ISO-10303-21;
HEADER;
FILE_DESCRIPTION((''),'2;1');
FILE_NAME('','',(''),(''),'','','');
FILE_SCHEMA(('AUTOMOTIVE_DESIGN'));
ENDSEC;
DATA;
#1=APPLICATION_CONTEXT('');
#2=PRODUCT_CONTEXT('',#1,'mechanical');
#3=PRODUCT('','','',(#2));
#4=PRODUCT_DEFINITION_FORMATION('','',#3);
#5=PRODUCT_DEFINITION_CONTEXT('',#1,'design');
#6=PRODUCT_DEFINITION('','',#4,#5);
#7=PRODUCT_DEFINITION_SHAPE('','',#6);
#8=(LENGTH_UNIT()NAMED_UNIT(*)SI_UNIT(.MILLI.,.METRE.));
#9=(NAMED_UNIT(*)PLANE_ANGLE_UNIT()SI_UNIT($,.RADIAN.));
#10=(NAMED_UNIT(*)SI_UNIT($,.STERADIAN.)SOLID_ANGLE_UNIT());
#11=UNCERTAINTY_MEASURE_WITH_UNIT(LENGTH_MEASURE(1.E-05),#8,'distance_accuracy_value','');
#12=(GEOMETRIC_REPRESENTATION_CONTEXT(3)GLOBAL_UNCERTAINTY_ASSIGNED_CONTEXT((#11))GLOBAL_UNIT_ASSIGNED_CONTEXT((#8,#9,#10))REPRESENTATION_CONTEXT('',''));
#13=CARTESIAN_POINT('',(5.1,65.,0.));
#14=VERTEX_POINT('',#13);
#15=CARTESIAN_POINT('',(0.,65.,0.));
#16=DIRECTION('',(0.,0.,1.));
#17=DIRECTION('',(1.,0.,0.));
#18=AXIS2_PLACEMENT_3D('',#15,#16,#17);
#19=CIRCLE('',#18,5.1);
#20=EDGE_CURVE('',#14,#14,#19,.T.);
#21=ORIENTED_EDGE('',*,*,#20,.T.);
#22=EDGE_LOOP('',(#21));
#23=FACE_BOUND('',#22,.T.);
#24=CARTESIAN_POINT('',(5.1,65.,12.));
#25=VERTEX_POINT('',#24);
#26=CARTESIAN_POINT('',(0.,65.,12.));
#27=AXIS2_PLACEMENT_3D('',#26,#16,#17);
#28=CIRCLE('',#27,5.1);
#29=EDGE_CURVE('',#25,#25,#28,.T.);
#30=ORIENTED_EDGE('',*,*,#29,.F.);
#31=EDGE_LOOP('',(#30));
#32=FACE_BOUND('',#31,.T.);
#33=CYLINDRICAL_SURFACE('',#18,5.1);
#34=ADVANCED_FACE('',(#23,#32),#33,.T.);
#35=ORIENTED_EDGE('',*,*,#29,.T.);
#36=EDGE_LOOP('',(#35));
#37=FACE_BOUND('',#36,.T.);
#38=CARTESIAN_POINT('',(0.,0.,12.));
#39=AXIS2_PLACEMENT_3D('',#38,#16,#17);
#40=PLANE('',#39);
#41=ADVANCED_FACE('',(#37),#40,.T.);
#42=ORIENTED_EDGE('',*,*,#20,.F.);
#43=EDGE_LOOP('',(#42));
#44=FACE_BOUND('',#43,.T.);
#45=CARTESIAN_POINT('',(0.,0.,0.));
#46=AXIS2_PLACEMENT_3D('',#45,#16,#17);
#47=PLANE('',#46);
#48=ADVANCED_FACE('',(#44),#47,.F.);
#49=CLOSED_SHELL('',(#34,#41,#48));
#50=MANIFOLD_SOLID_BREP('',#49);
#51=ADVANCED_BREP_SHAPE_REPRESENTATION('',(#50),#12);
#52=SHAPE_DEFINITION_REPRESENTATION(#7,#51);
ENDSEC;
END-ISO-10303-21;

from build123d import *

# Parameters (mm, degrees)
EXTRUDE_1_DEPTH     = 12
SKETCH_2_OUTSIDE_W  = 117.568
SKETCH_2_OUTSIDE_H  = 117.568
SKETCH_2_OUTSIDE_R  = 5.1
CUT_EXTRUDE_1_DEPTH = 102.336074524


with BuildPart() as part:
    # 草图1 → 凸台-拉伸1 (new body)
    with BuildSketch(Plane.XY):
        Polygon((-45, 0), (45, 0), (45, 15), (10, 15), (10, 90), (-10, 90), (-10, 15), (-45, 15), align=None)
    extrude(amount=EXTRUDE_1_DEPTH)

    # 草图2 outside → 切除-拉伸1 (cut, through all)
    with BuildSketch(Plane.XY.offset(12)):
        with Locations((0, 45)):
            Rectangle(SKETCH_2_OUTSIDE_W, SKETCH_2_OUTSIDE_H)
        with Locations((0, 65)):
            Circle(SKETCH_2_OUTSIDE_R, mode=Mode.SUBTRACT)
    extrude(amount=-CUT_EXTRUDE_1_DEPTH, mode=Mode.SUBTRACT)


solid = part.part
